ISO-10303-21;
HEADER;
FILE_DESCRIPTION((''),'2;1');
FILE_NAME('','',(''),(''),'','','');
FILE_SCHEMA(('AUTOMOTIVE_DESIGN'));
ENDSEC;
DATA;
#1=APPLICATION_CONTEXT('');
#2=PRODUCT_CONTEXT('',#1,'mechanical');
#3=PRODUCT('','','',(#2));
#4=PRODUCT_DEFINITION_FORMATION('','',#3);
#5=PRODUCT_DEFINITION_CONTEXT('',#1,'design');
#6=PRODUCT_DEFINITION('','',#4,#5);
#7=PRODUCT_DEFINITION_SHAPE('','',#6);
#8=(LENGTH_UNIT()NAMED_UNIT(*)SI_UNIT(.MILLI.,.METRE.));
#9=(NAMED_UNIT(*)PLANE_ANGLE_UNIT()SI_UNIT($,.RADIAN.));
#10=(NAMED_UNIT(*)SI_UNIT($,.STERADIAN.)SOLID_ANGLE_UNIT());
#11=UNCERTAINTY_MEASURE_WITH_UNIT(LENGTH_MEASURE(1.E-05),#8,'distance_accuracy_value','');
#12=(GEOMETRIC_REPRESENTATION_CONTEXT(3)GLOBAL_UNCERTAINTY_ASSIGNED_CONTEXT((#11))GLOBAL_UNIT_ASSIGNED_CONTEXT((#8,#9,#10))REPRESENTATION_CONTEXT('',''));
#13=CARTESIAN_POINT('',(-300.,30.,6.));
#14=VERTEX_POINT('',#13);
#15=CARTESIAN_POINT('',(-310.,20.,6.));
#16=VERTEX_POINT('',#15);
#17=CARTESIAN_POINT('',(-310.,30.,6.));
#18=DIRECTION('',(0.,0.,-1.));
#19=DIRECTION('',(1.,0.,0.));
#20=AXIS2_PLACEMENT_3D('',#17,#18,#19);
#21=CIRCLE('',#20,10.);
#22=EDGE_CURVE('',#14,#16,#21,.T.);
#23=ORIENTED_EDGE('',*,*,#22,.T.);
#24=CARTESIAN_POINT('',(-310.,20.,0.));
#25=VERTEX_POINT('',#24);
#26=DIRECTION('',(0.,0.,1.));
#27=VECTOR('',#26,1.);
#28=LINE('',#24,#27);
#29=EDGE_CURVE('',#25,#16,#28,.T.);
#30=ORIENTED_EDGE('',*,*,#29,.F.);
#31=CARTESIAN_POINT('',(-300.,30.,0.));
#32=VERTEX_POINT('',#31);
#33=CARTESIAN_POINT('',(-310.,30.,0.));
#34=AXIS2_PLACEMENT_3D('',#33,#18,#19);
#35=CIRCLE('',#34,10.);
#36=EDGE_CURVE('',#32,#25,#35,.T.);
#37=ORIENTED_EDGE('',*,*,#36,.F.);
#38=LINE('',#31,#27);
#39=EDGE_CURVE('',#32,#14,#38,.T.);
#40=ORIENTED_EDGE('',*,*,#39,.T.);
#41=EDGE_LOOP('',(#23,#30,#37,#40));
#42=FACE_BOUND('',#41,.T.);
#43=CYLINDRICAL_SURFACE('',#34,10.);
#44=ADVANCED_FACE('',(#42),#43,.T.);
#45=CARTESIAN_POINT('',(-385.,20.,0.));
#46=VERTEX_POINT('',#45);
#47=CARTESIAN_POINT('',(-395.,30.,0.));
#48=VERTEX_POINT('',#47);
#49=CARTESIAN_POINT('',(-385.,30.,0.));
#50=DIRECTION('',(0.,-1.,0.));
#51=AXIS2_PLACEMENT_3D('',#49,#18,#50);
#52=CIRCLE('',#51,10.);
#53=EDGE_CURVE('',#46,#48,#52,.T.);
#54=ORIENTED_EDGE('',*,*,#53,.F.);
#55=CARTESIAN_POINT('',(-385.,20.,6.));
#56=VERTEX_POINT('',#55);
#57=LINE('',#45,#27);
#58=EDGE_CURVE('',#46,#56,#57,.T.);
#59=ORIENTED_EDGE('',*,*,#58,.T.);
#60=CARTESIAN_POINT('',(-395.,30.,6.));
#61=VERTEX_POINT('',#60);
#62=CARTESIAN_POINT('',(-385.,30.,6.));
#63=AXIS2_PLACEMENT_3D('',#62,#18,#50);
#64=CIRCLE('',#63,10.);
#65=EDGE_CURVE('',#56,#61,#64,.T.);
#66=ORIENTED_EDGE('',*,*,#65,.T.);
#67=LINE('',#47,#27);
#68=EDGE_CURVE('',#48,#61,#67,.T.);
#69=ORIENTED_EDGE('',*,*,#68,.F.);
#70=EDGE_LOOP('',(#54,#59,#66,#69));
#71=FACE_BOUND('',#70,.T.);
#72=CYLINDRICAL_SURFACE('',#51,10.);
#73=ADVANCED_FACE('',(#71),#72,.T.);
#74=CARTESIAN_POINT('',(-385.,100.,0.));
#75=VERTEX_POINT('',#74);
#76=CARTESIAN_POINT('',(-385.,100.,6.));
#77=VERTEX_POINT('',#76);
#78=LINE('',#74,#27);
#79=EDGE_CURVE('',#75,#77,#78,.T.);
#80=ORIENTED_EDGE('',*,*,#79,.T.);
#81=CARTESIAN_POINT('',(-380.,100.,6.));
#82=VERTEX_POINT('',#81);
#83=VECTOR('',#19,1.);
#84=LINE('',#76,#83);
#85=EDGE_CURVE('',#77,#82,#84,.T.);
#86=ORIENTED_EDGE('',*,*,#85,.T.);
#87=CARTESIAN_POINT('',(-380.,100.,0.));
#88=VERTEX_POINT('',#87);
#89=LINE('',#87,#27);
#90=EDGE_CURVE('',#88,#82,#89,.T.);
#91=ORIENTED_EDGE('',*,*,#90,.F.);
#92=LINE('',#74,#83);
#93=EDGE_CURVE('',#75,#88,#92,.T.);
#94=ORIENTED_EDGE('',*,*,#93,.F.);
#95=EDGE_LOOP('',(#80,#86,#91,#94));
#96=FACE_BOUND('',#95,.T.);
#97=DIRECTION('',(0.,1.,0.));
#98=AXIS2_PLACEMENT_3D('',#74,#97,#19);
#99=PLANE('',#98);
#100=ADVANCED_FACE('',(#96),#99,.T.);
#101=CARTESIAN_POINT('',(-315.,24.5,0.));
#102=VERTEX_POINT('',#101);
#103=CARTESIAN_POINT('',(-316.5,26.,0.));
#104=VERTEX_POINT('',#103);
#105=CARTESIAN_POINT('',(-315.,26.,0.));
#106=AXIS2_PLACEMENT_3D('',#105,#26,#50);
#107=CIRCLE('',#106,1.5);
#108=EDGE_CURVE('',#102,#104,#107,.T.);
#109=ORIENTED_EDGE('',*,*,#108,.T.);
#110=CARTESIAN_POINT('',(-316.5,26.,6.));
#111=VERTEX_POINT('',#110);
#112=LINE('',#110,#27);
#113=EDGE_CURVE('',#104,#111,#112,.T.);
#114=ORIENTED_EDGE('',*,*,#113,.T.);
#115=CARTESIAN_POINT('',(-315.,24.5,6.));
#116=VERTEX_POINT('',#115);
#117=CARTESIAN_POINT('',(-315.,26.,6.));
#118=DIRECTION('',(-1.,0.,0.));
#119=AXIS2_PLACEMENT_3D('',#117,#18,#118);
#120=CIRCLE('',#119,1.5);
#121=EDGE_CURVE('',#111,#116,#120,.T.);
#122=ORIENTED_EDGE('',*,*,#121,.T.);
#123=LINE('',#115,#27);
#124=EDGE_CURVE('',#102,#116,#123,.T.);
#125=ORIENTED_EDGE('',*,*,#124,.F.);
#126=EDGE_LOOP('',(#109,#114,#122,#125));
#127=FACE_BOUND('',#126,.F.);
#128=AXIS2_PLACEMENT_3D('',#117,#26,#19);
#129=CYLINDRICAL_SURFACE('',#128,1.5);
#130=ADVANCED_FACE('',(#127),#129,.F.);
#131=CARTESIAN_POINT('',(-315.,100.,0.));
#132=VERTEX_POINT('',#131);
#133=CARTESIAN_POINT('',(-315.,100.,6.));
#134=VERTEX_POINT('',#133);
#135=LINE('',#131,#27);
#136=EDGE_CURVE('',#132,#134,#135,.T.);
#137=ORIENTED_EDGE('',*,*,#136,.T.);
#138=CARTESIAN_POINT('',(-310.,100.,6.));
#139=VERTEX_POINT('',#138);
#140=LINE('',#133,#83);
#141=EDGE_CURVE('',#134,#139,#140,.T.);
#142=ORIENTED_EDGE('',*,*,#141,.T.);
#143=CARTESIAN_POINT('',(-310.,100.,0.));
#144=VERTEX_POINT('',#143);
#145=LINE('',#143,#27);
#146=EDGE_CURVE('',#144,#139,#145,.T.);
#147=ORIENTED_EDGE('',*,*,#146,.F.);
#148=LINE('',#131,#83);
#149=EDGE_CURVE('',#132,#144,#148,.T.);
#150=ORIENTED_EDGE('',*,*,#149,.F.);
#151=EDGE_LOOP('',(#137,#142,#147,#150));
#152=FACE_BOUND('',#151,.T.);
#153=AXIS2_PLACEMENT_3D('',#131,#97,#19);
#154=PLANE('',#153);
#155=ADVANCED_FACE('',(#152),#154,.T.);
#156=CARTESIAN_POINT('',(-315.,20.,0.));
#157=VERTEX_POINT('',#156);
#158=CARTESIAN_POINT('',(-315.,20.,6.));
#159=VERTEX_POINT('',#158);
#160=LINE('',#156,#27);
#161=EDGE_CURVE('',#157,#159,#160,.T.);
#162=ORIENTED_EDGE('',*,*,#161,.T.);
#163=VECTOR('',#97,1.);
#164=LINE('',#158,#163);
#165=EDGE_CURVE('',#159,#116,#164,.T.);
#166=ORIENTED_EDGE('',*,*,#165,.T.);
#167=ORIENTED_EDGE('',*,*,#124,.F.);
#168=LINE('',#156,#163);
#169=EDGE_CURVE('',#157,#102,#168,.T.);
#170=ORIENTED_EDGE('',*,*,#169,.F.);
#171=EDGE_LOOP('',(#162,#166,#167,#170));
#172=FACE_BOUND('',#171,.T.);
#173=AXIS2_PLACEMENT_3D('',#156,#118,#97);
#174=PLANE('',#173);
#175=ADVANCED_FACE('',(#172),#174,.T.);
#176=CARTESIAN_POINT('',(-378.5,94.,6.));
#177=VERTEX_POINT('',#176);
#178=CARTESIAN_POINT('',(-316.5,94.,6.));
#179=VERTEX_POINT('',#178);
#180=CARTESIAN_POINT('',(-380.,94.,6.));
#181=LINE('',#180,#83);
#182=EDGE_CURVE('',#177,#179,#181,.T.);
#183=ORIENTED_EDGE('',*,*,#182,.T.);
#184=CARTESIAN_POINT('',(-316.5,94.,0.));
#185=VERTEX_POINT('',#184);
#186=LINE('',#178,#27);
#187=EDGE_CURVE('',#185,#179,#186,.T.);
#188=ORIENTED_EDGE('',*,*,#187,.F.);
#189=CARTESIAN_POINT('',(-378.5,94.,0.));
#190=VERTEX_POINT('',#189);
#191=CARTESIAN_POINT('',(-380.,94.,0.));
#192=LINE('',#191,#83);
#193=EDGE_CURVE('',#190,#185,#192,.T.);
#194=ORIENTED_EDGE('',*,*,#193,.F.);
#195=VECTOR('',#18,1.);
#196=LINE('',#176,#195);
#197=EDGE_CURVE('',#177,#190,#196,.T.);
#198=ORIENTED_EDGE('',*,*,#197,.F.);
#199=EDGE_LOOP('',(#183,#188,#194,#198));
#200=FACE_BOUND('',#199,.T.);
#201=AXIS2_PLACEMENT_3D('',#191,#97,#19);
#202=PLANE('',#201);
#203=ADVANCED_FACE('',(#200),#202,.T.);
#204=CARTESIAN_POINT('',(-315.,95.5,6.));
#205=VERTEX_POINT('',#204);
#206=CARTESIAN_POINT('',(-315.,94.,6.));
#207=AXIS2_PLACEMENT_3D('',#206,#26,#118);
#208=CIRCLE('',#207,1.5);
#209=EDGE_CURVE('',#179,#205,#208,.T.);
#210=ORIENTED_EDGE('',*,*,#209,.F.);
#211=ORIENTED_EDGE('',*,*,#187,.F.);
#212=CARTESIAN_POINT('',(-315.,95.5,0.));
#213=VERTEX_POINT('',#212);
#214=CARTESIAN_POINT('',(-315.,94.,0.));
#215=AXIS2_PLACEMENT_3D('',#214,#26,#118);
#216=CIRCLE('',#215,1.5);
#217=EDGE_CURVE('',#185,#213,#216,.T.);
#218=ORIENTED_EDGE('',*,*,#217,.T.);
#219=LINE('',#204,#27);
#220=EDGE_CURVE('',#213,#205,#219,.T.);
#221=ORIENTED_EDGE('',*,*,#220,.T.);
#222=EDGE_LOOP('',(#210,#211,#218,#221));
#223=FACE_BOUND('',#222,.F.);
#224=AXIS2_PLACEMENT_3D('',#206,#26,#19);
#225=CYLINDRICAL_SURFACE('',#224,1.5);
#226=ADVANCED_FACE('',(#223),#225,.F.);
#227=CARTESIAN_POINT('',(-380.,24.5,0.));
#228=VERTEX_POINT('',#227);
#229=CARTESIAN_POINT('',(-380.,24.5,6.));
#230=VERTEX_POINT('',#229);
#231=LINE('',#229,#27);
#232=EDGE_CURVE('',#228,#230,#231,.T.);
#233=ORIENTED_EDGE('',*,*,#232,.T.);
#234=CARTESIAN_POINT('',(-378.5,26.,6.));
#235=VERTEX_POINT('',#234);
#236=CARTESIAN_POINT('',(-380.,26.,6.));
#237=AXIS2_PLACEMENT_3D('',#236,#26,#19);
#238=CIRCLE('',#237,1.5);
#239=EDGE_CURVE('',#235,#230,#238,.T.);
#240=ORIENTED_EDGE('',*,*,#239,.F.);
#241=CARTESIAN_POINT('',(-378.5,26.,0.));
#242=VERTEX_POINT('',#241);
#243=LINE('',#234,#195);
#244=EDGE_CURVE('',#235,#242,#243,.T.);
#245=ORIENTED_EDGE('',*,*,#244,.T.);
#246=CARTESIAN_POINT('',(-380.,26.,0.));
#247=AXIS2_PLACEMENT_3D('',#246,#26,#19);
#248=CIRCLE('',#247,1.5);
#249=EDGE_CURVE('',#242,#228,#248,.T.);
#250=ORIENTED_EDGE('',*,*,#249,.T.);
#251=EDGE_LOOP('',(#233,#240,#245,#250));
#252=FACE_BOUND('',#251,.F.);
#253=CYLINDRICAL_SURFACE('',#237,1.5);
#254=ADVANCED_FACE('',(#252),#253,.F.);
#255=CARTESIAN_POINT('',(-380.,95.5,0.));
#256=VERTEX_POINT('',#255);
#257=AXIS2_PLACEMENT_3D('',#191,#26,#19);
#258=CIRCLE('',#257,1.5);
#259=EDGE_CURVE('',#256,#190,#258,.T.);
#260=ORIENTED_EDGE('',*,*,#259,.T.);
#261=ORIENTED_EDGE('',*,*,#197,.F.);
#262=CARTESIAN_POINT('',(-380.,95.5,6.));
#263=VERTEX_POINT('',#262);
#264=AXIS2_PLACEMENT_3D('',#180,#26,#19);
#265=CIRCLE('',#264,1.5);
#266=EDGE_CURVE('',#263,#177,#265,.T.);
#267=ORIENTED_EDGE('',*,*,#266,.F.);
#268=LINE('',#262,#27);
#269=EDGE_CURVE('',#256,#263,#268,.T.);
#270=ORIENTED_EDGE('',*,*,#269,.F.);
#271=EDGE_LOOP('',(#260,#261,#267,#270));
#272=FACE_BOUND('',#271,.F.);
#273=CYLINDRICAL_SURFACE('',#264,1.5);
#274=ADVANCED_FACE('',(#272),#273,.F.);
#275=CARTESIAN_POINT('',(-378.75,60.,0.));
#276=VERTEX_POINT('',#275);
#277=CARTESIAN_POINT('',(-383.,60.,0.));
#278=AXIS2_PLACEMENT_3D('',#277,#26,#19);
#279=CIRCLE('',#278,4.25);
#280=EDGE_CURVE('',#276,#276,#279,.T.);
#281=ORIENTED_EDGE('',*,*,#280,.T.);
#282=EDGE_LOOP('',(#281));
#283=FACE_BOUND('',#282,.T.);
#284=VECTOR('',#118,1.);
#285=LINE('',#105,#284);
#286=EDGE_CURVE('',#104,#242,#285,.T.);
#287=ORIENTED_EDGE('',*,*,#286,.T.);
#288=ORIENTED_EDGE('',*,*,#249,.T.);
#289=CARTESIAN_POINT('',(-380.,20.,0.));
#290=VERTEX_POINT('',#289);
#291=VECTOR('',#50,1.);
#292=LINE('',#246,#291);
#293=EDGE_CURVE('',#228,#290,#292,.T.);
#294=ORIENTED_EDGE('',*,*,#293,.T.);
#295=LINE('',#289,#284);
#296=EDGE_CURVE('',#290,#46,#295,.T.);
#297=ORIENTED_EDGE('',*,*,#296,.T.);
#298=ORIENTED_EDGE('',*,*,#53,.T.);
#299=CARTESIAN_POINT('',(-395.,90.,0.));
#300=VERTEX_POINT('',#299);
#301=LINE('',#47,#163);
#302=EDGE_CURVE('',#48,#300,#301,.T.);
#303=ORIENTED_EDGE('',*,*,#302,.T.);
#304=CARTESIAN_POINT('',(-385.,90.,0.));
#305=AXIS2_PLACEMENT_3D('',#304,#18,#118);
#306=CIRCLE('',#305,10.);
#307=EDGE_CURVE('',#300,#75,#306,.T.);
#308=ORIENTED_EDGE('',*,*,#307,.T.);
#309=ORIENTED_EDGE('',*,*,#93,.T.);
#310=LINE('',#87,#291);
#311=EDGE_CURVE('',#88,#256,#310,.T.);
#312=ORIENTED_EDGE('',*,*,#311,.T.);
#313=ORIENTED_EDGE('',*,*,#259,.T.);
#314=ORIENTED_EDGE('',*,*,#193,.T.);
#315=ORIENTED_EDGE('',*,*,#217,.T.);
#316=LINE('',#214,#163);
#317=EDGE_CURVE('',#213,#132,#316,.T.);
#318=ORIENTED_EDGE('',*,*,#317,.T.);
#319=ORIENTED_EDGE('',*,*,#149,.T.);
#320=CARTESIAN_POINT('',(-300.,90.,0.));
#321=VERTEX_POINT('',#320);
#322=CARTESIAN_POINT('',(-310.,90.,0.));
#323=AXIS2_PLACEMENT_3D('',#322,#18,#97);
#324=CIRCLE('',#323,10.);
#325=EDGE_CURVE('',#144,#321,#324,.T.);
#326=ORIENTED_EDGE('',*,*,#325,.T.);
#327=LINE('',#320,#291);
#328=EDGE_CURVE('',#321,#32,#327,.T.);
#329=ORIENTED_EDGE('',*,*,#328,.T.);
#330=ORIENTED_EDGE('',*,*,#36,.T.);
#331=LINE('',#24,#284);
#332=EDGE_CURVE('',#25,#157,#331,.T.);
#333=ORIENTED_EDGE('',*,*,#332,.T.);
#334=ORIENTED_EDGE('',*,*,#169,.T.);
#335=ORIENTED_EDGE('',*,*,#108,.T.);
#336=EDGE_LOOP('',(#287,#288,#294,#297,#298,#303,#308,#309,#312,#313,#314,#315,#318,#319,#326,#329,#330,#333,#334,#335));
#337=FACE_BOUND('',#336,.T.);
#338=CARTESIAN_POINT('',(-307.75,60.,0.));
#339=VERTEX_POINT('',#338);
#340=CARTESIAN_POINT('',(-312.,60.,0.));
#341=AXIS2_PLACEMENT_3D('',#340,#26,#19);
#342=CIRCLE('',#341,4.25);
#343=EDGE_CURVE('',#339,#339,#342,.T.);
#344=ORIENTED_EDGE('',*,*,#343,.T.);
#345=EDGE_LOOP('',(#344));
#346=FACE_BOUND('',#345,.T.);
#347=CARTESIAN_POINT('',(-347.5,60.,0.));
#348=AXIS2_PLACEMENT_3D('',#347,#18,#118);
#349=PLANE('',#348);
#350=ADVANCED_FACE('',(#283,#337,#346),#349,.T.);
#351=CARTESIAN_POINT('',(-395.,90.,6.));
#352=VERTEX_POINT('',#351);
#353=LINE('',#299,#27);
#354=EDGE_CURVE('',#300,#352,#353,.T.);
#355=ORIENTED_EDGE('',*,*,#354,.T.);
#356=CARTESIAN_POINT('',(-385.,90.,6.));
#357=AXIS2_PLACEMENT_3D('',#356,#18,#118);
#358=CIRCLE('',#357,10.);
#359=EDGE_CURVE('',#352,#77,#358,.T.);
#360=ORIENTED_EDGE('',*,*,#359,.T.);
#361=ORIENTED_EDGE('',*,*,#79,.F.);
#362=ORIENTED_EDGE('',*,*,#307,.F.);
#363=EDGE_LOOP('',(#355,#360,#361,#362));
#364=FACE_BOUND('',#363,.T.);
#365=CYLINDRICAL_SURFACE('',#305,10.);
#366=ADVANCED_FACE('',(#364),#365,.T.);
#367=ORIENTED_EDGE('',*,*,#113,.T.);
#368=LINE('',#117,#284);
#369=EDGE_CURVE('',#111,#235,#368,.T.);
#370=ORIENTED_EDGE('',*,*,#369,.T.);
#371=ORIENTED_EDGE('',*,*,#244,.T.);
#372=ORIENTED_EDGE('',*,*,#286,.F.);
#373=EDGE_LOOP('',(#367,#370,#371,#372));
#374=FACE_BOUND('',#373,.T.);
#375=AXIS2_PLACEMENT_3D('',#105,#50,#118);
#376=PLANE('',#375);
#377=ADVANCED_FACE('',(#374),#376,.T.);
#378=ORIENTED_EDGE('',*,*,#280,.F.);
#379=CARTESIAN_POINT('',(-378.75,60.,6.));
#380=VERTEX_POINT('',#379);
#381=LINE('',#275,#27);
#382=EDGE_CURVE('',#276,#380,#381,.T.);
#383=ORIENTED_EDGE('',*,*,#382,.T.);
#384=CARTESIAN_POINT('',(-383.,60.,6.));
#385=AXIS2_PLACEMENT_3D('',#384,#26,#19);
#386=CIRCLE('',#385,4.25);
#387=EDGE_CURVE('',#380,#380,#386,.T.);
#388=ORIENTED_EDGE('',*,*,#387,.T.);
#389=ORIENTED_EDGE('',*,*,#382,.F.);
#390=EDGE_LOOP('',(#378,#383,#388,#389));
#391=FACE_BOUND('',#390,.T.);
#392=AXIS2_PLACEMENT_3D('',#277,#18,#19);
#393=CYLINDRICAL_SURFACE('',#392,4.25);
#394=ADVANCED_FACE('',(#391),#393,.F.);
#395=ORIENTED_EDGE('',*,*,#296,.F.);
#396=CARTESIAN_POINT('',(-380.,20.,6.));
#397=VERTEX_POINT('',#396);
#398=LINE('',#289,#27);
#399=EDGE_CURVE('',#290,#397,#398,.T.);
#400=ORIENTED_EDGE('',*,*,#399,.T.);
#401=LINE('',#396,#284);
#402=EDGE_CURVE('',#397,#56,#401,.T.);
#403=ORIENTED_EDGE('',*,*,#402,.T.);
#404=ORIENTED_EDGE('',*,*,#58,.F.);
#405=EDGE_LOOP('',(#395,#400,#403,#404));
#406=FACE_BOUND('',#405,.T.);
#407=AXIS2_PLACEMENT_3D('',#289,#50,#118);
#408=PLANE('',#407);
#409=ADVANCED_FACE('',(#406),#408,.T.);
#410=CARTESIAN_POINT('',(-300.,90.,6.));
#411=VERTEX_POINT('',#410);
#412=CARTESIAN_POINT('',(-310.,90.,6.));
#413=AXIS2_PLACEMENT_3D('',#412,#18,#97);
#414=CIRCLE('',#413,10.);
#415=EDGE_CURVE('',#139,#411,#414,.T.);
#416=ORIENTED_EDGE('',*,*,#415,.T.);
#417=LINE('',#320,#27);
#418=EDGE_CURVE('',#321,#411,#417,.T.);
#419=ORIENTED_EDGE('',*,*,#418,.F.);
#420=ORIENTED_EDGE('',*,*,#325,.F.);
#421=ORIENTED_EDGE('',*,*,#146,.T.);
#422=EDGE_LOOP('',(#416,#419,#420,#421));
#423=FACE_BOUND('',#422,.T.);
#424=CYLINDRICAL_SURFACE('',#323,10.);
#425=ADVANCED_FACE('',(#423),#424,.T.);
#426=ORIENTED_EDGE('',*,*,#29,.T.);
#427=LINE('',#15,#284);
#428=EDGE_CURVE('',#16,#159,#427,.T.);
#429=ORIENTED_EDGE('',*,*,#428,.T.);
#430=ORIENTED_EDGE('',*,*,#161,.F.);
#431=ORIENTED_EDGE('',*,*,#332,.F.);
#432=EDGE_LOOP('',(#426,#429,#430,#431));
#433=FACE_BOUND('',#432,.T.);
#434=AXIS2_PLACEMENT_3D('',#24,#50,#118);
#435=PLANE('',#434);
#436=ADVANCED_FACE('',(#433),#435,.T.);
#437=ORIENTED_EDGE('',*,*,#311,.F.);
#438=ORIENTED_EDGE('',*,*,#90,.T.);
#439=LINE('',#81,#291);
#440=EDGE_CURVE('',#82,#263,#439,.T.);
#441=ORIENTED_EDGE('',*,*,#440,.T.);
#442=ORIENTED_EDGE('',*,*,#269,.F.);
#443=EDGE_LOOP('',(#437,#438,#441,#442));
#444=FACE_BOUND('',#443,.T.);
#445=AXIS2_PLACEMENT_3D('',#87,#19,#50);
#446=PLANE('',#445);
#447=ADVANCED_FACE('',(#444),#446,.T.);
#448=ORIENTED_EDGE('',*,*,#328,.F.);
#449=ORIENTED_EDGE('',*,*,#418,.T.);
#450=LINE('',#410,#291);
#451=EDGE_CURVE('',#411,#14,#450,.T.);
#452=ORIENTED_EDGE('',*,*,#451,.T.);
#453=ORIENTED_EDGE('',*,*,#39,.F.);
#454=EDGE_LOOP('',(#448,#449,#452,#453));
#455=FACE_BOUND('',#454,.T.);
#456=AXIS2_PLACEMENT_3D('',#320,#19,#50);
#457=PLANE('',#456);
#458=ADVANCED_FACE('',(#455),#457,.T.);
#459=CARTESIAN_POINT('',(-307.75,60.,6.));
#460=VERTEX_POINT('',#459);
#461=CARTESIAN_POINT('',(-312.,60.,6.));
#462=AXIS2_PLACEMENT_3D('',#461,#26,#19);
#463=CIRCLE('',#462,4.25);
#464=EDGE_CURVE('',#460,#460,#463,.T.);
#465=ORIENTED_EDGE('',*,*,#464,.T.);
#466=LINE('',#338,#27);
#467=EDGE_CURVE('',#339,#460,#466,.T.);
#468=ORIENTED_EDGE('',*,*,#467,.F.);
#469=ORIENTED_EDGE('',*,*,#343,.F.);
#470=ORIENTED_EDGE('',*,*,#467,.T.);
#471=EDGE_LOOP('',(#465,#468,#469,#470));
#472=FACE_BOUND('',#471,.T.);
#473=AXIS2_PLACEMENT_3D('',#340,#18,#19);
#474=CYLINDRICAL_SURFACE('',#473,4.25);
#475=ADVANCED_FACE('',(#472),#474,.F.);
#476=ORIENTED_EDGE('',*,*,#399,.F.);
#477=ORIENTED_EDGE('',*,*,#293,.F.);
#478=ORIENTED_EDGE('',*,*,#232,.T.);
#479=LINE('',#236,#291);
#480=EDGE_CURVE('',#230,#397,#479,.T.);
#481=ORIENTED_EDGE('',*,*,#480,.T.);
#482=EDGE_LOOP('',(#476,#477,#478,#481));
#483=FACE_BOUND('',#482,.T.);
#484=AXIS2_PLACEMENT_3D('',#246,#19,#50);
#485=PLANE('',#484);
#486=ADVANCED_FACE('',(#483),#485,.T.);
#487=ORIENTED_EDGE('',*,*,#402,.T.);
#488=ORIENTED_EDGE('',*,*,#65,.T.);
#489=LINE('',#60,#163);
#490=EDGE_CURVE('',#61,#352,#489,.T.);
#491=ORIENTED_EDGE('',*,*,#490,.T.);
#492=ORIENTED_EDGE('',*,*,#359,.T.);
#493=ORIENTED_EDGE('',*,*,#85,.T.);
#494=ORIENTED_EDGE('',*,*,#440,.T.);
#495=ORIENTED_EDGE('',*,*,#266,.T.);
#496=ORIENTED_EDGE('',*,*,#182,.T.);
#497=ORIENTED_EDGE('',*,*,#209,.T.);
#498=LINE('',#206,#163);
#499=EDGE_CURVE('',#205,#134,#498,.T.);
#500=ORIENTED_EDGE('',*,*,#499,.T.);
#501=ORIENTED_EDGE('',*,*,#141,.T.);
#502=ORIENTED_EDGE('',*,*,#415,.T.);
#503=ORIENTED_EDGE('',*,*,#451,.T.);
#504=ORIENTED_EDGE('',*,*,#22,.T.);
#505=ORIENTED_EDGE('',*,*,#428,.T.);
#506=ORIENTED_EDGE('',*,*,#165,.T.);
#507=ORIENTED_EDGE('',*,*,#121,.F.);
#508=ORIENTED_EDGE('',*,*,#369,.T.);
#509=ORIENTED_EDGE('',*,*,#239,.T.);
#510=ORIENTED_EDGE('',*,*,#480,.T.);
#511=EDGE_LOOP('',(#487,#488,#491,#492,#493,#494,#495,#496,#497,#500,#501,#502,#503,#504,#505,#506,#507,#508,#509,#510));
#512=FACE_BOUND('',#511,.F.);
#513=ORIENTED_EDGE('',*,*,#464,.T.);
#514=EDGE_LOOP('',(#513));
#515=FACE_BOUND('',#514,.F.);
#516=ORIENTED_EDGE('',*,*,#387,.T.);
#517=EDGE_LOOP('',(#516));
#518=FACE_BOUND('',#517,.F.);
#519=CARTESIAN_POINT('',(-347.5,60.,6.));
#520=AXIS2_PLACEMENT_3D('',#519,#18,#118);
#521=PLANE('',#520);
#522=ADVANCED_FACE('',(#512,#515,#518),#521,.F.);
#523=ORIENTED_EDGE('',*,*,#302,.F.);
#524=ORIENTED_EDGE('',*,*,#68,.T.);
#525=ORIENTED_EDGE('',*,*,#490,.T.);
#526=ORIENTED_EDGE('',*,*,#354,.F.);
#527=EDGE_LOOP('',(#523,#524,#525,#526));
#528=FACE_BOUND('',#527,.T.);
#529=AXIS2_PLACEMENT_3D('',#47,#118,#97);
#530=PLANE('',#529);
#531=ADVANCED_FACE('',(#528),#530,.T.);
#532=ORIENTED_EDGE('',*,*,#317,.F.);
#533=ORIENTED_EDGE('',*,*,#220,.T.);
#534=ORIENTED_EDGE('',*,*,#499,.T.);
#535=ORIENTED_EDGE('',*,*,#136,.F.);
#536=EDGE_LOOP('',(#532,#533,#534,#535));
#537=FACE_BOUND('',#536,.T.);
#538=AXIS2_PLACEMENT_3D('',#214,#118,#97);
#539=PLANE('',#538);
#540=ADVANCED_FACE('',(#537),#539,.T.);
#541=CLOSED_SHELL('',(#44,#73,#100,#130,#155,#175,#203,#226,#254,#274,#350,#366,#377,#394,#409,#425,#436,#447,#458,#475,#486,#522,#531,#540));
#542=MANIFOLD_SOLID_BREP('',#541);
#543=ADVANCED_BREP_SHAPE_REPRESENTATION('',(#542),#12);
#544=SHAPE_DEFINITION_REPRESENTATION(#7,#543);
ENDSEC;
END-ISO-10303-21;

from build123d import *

# Parameters (mm, degrees)
SKETCH1_R           = 4.25
BOSS_EXTRUDE1_DEPTH = 6
SKETCH2_R           = 1.5
CUT_EXTRUDE1_DEPTH  = 7


with BuildPart() as part:
    # Sketch1 → Boss-Extrude1 (new body)
    with BuildSketch(Plane.XY):
        with BuildLine():
            Line((-380, 94), (-315, 94))
            Line((-315, 94), (-315, 100))
            Line((-315, 100), (-310, 100))
            ThreePointArc((-310, 100), (-302.928932188, 97.071067812), (-300, 90))
            Line((-300, 90), (-300, 30))
            ThreePointArc((-300, 30), (-302.928932188, 22.928932188), (-310, 20))
            Line((-310, 20), (-315, 20))
            Line((-315, 20), (-315, 26))
            Line((-315, 26), (-380, 26))
            Line((-380, 26), (-380, 20))
            Line((-380, 20), (-385, 20))
            ThreePointArc((-385, 20), (-392.071067812, 22.928932188), (-395, 30))
            Line((-395, 30), (-395, 90))
            ThreePointArc((-395, 90), (-392.071067812, 97.071067812), (-385, 100))
            Line((-385, 100), (-380, 100))
            Line((-380, 100), (-380, 94))
        make_face()
        with Locations((-312, 60)):
            Circle(SKETCH1_R, mode=Mode.SUBTRACT)
        with Locations((-383, 60)):
            Circle(SKETCH1_R, mode=Mode.SUBTRACT)
    extrude(amount=BOSS_EXTRUDE1_DEPTH)

    # Sketch2 → Cut-Extrude1 (cut, through all)
    with BuildSketch(Plane.XY.offset(6)):
        with Locations((-380, 26)):
            Circle(SKETCH2_R)
        with Locations((-315, 26)):
            Circle(SKETCH2_R)
        with Locations((-380, 94)):
            Circle(SKETCH2_R)
        with Locations((-315, 94)):
            Circle(SKETCH2_R)
    extrude(amount=-CUT_EXTRUDE1_DEPTH, mode=Mode.SUBTRACT)


solid = part.part
